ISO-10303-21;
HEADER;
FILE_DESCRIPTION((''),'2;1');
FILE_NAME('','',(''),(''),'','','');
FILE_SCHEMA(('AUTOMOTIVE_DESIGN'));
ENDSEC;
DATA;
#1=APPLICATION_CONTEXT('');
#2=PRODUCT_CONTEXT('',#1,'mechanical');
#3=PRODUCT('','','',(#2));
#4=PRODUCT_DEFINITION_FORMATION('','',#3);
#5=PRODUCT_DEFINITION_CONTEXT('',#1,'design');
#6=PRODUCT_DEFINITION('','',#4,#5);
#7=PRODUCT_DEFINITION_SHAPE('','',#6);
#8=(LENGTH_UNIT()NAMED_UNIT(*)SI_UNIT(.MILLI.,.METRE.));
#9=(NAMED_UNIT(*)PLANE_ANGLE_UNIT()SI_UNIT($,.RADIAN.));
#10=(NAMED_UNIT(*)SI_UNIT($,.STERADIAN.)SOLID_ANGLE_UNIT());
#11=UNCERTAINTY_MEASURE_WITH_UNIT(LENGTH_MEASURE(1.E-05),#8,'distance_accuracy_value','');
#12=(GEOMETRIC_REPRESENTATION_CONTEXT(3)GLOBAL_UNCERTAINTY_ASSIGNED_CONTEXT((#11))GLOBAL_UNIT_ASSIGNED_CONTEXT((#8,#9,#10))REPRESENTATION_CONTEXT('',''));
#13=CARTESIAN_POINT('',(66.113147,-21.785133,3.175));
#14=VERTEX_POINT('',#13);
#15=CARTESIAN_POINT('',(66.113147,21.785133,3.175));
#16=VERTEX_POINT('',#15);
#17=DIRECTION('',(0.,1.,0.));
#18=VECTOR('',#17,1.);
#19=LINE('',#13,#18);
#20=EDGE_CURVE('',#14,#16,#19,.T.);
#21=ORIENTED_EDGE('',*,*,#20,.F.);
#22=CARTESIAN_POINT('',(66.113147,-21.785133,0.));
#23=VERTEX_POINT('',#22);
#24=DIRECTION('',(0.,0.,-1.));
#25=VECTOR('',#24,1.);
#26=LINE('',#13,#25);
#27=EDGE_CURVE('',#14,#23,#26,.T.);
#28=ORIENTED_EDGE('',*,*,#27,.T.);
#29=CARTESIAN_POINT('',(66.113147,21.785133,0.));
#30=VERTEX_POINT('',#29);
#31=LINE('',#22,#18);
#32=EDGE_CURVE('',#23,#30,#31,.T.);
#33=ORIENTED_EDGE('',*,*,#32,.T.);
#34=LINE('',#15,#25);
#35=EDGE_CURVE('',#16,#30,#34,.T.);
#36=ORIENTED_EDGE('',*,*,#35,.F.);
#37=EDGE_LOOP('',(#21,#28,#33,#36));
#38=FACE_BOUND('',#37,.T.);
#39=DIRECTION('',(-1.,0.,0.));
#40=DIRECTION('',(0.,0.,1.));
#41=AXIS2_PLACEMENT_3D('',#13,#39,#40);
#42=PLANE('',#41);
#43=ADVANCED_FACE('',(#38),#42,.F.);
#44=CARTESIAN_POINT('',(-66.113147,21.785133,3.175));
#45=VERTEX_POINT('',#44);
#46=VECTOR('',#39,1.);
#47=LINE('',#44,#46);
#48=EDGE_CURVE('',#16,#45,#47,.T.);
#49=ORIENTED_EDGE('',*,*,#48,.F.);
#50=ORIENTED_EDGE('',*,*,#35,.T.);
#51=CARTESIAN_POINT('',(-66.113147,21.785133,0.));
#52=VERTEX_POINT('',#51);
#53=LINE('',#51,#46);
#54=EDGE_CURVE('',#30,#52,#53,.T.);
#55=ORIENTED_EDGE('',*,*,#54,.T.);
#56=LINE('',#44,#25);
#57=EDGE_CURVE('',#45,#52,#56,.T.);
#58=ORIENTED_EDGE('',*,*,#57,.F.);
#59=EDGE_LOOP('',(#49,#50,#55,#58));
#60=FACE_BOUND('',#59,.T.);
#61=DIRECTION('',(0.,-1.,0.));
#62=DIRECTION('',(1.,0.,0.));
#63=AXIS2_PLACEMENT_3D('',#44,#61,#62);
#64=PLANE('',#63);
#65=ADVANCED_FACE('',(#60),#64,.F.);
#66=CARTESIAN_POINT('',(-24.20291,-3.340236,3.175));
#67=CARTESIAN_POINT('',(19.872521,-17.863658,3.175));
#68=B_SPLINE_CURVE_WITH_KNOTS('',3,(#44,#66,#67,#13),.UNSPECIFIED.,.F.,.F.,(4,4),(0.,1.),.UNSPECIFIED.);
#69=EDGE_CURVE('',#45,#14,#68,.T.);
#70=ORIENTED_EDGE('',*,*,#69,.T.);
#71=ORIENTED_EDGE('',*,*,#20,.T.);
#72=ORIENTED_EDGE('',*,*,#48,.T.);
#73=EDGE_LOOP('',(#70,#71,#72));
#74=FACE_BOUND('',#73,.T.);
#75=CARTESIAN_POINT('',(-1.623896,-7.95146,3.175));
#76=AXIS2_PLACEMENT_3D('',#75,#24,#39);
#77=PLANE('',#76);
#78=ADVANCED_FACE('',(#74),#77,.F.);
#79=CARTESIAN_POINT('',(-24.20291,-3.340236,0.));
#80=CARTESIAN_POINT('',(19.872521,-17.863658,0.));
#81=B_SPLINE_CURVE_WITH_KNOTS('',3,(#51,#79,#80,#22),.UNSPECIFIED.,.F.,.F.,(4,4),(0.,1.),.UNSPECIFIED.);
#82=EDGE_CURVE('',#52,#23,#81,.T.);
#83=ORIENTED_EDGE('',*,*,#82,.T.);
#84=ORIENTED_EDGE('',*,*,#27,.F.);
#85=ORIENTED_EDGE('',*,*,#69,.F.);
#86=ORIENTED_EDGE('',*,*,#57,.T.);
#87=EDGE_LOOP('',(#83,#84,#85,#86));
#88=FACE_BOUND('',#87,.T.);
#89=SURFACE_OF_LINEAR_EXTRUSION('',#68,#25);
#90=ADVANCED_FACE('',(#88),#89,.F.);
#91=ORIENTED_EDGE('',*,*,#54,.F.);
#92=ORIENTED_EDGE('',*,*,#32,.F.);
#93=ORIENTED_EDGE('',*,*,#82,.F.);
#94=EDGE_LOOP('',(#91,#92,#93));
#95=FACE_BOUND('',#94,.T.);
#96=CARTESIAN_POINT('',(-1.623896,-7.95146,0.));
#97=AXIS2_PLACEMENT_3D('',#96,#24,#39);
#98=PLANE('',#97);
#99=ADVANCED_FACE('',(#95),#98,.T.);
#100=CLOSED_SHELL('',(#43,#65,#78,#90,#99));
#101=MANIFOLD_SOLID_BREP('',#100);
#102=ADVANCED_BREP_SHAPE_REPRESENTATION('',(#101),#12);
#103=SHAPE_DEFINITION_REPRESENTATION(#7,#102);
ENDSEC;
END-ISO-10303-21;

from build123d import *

# Parameters (mm, degrees)
BOSS_EXTRUDE1_DEPTH = 3.175


with BuildPart() as part:
    # Sketch1 → Boss-Extrude1 (new body)
    with BuildSketch(Plane.XY):
        with BuildLine():
            Line((66.113147042, -21.78513299), (66.113147042, 21.78513299))
            Line((66.113147042, 21.78513299), (-66.113147042, 21.78513299))
            add(Edge.make_bspline(
                [(-66.113147042, 21.78513299), (-24.202910043, -3.340235665), (19.872521318, -17.863657658), (66.113147042, -21.78513299)],
                knots=[0, 0, 0, 0, 1, 1, 1, 1], degree=3))
        make_face()
    extrude(amount=BOSS_EXTRUDE1_DEPTH)


solid = part.part
